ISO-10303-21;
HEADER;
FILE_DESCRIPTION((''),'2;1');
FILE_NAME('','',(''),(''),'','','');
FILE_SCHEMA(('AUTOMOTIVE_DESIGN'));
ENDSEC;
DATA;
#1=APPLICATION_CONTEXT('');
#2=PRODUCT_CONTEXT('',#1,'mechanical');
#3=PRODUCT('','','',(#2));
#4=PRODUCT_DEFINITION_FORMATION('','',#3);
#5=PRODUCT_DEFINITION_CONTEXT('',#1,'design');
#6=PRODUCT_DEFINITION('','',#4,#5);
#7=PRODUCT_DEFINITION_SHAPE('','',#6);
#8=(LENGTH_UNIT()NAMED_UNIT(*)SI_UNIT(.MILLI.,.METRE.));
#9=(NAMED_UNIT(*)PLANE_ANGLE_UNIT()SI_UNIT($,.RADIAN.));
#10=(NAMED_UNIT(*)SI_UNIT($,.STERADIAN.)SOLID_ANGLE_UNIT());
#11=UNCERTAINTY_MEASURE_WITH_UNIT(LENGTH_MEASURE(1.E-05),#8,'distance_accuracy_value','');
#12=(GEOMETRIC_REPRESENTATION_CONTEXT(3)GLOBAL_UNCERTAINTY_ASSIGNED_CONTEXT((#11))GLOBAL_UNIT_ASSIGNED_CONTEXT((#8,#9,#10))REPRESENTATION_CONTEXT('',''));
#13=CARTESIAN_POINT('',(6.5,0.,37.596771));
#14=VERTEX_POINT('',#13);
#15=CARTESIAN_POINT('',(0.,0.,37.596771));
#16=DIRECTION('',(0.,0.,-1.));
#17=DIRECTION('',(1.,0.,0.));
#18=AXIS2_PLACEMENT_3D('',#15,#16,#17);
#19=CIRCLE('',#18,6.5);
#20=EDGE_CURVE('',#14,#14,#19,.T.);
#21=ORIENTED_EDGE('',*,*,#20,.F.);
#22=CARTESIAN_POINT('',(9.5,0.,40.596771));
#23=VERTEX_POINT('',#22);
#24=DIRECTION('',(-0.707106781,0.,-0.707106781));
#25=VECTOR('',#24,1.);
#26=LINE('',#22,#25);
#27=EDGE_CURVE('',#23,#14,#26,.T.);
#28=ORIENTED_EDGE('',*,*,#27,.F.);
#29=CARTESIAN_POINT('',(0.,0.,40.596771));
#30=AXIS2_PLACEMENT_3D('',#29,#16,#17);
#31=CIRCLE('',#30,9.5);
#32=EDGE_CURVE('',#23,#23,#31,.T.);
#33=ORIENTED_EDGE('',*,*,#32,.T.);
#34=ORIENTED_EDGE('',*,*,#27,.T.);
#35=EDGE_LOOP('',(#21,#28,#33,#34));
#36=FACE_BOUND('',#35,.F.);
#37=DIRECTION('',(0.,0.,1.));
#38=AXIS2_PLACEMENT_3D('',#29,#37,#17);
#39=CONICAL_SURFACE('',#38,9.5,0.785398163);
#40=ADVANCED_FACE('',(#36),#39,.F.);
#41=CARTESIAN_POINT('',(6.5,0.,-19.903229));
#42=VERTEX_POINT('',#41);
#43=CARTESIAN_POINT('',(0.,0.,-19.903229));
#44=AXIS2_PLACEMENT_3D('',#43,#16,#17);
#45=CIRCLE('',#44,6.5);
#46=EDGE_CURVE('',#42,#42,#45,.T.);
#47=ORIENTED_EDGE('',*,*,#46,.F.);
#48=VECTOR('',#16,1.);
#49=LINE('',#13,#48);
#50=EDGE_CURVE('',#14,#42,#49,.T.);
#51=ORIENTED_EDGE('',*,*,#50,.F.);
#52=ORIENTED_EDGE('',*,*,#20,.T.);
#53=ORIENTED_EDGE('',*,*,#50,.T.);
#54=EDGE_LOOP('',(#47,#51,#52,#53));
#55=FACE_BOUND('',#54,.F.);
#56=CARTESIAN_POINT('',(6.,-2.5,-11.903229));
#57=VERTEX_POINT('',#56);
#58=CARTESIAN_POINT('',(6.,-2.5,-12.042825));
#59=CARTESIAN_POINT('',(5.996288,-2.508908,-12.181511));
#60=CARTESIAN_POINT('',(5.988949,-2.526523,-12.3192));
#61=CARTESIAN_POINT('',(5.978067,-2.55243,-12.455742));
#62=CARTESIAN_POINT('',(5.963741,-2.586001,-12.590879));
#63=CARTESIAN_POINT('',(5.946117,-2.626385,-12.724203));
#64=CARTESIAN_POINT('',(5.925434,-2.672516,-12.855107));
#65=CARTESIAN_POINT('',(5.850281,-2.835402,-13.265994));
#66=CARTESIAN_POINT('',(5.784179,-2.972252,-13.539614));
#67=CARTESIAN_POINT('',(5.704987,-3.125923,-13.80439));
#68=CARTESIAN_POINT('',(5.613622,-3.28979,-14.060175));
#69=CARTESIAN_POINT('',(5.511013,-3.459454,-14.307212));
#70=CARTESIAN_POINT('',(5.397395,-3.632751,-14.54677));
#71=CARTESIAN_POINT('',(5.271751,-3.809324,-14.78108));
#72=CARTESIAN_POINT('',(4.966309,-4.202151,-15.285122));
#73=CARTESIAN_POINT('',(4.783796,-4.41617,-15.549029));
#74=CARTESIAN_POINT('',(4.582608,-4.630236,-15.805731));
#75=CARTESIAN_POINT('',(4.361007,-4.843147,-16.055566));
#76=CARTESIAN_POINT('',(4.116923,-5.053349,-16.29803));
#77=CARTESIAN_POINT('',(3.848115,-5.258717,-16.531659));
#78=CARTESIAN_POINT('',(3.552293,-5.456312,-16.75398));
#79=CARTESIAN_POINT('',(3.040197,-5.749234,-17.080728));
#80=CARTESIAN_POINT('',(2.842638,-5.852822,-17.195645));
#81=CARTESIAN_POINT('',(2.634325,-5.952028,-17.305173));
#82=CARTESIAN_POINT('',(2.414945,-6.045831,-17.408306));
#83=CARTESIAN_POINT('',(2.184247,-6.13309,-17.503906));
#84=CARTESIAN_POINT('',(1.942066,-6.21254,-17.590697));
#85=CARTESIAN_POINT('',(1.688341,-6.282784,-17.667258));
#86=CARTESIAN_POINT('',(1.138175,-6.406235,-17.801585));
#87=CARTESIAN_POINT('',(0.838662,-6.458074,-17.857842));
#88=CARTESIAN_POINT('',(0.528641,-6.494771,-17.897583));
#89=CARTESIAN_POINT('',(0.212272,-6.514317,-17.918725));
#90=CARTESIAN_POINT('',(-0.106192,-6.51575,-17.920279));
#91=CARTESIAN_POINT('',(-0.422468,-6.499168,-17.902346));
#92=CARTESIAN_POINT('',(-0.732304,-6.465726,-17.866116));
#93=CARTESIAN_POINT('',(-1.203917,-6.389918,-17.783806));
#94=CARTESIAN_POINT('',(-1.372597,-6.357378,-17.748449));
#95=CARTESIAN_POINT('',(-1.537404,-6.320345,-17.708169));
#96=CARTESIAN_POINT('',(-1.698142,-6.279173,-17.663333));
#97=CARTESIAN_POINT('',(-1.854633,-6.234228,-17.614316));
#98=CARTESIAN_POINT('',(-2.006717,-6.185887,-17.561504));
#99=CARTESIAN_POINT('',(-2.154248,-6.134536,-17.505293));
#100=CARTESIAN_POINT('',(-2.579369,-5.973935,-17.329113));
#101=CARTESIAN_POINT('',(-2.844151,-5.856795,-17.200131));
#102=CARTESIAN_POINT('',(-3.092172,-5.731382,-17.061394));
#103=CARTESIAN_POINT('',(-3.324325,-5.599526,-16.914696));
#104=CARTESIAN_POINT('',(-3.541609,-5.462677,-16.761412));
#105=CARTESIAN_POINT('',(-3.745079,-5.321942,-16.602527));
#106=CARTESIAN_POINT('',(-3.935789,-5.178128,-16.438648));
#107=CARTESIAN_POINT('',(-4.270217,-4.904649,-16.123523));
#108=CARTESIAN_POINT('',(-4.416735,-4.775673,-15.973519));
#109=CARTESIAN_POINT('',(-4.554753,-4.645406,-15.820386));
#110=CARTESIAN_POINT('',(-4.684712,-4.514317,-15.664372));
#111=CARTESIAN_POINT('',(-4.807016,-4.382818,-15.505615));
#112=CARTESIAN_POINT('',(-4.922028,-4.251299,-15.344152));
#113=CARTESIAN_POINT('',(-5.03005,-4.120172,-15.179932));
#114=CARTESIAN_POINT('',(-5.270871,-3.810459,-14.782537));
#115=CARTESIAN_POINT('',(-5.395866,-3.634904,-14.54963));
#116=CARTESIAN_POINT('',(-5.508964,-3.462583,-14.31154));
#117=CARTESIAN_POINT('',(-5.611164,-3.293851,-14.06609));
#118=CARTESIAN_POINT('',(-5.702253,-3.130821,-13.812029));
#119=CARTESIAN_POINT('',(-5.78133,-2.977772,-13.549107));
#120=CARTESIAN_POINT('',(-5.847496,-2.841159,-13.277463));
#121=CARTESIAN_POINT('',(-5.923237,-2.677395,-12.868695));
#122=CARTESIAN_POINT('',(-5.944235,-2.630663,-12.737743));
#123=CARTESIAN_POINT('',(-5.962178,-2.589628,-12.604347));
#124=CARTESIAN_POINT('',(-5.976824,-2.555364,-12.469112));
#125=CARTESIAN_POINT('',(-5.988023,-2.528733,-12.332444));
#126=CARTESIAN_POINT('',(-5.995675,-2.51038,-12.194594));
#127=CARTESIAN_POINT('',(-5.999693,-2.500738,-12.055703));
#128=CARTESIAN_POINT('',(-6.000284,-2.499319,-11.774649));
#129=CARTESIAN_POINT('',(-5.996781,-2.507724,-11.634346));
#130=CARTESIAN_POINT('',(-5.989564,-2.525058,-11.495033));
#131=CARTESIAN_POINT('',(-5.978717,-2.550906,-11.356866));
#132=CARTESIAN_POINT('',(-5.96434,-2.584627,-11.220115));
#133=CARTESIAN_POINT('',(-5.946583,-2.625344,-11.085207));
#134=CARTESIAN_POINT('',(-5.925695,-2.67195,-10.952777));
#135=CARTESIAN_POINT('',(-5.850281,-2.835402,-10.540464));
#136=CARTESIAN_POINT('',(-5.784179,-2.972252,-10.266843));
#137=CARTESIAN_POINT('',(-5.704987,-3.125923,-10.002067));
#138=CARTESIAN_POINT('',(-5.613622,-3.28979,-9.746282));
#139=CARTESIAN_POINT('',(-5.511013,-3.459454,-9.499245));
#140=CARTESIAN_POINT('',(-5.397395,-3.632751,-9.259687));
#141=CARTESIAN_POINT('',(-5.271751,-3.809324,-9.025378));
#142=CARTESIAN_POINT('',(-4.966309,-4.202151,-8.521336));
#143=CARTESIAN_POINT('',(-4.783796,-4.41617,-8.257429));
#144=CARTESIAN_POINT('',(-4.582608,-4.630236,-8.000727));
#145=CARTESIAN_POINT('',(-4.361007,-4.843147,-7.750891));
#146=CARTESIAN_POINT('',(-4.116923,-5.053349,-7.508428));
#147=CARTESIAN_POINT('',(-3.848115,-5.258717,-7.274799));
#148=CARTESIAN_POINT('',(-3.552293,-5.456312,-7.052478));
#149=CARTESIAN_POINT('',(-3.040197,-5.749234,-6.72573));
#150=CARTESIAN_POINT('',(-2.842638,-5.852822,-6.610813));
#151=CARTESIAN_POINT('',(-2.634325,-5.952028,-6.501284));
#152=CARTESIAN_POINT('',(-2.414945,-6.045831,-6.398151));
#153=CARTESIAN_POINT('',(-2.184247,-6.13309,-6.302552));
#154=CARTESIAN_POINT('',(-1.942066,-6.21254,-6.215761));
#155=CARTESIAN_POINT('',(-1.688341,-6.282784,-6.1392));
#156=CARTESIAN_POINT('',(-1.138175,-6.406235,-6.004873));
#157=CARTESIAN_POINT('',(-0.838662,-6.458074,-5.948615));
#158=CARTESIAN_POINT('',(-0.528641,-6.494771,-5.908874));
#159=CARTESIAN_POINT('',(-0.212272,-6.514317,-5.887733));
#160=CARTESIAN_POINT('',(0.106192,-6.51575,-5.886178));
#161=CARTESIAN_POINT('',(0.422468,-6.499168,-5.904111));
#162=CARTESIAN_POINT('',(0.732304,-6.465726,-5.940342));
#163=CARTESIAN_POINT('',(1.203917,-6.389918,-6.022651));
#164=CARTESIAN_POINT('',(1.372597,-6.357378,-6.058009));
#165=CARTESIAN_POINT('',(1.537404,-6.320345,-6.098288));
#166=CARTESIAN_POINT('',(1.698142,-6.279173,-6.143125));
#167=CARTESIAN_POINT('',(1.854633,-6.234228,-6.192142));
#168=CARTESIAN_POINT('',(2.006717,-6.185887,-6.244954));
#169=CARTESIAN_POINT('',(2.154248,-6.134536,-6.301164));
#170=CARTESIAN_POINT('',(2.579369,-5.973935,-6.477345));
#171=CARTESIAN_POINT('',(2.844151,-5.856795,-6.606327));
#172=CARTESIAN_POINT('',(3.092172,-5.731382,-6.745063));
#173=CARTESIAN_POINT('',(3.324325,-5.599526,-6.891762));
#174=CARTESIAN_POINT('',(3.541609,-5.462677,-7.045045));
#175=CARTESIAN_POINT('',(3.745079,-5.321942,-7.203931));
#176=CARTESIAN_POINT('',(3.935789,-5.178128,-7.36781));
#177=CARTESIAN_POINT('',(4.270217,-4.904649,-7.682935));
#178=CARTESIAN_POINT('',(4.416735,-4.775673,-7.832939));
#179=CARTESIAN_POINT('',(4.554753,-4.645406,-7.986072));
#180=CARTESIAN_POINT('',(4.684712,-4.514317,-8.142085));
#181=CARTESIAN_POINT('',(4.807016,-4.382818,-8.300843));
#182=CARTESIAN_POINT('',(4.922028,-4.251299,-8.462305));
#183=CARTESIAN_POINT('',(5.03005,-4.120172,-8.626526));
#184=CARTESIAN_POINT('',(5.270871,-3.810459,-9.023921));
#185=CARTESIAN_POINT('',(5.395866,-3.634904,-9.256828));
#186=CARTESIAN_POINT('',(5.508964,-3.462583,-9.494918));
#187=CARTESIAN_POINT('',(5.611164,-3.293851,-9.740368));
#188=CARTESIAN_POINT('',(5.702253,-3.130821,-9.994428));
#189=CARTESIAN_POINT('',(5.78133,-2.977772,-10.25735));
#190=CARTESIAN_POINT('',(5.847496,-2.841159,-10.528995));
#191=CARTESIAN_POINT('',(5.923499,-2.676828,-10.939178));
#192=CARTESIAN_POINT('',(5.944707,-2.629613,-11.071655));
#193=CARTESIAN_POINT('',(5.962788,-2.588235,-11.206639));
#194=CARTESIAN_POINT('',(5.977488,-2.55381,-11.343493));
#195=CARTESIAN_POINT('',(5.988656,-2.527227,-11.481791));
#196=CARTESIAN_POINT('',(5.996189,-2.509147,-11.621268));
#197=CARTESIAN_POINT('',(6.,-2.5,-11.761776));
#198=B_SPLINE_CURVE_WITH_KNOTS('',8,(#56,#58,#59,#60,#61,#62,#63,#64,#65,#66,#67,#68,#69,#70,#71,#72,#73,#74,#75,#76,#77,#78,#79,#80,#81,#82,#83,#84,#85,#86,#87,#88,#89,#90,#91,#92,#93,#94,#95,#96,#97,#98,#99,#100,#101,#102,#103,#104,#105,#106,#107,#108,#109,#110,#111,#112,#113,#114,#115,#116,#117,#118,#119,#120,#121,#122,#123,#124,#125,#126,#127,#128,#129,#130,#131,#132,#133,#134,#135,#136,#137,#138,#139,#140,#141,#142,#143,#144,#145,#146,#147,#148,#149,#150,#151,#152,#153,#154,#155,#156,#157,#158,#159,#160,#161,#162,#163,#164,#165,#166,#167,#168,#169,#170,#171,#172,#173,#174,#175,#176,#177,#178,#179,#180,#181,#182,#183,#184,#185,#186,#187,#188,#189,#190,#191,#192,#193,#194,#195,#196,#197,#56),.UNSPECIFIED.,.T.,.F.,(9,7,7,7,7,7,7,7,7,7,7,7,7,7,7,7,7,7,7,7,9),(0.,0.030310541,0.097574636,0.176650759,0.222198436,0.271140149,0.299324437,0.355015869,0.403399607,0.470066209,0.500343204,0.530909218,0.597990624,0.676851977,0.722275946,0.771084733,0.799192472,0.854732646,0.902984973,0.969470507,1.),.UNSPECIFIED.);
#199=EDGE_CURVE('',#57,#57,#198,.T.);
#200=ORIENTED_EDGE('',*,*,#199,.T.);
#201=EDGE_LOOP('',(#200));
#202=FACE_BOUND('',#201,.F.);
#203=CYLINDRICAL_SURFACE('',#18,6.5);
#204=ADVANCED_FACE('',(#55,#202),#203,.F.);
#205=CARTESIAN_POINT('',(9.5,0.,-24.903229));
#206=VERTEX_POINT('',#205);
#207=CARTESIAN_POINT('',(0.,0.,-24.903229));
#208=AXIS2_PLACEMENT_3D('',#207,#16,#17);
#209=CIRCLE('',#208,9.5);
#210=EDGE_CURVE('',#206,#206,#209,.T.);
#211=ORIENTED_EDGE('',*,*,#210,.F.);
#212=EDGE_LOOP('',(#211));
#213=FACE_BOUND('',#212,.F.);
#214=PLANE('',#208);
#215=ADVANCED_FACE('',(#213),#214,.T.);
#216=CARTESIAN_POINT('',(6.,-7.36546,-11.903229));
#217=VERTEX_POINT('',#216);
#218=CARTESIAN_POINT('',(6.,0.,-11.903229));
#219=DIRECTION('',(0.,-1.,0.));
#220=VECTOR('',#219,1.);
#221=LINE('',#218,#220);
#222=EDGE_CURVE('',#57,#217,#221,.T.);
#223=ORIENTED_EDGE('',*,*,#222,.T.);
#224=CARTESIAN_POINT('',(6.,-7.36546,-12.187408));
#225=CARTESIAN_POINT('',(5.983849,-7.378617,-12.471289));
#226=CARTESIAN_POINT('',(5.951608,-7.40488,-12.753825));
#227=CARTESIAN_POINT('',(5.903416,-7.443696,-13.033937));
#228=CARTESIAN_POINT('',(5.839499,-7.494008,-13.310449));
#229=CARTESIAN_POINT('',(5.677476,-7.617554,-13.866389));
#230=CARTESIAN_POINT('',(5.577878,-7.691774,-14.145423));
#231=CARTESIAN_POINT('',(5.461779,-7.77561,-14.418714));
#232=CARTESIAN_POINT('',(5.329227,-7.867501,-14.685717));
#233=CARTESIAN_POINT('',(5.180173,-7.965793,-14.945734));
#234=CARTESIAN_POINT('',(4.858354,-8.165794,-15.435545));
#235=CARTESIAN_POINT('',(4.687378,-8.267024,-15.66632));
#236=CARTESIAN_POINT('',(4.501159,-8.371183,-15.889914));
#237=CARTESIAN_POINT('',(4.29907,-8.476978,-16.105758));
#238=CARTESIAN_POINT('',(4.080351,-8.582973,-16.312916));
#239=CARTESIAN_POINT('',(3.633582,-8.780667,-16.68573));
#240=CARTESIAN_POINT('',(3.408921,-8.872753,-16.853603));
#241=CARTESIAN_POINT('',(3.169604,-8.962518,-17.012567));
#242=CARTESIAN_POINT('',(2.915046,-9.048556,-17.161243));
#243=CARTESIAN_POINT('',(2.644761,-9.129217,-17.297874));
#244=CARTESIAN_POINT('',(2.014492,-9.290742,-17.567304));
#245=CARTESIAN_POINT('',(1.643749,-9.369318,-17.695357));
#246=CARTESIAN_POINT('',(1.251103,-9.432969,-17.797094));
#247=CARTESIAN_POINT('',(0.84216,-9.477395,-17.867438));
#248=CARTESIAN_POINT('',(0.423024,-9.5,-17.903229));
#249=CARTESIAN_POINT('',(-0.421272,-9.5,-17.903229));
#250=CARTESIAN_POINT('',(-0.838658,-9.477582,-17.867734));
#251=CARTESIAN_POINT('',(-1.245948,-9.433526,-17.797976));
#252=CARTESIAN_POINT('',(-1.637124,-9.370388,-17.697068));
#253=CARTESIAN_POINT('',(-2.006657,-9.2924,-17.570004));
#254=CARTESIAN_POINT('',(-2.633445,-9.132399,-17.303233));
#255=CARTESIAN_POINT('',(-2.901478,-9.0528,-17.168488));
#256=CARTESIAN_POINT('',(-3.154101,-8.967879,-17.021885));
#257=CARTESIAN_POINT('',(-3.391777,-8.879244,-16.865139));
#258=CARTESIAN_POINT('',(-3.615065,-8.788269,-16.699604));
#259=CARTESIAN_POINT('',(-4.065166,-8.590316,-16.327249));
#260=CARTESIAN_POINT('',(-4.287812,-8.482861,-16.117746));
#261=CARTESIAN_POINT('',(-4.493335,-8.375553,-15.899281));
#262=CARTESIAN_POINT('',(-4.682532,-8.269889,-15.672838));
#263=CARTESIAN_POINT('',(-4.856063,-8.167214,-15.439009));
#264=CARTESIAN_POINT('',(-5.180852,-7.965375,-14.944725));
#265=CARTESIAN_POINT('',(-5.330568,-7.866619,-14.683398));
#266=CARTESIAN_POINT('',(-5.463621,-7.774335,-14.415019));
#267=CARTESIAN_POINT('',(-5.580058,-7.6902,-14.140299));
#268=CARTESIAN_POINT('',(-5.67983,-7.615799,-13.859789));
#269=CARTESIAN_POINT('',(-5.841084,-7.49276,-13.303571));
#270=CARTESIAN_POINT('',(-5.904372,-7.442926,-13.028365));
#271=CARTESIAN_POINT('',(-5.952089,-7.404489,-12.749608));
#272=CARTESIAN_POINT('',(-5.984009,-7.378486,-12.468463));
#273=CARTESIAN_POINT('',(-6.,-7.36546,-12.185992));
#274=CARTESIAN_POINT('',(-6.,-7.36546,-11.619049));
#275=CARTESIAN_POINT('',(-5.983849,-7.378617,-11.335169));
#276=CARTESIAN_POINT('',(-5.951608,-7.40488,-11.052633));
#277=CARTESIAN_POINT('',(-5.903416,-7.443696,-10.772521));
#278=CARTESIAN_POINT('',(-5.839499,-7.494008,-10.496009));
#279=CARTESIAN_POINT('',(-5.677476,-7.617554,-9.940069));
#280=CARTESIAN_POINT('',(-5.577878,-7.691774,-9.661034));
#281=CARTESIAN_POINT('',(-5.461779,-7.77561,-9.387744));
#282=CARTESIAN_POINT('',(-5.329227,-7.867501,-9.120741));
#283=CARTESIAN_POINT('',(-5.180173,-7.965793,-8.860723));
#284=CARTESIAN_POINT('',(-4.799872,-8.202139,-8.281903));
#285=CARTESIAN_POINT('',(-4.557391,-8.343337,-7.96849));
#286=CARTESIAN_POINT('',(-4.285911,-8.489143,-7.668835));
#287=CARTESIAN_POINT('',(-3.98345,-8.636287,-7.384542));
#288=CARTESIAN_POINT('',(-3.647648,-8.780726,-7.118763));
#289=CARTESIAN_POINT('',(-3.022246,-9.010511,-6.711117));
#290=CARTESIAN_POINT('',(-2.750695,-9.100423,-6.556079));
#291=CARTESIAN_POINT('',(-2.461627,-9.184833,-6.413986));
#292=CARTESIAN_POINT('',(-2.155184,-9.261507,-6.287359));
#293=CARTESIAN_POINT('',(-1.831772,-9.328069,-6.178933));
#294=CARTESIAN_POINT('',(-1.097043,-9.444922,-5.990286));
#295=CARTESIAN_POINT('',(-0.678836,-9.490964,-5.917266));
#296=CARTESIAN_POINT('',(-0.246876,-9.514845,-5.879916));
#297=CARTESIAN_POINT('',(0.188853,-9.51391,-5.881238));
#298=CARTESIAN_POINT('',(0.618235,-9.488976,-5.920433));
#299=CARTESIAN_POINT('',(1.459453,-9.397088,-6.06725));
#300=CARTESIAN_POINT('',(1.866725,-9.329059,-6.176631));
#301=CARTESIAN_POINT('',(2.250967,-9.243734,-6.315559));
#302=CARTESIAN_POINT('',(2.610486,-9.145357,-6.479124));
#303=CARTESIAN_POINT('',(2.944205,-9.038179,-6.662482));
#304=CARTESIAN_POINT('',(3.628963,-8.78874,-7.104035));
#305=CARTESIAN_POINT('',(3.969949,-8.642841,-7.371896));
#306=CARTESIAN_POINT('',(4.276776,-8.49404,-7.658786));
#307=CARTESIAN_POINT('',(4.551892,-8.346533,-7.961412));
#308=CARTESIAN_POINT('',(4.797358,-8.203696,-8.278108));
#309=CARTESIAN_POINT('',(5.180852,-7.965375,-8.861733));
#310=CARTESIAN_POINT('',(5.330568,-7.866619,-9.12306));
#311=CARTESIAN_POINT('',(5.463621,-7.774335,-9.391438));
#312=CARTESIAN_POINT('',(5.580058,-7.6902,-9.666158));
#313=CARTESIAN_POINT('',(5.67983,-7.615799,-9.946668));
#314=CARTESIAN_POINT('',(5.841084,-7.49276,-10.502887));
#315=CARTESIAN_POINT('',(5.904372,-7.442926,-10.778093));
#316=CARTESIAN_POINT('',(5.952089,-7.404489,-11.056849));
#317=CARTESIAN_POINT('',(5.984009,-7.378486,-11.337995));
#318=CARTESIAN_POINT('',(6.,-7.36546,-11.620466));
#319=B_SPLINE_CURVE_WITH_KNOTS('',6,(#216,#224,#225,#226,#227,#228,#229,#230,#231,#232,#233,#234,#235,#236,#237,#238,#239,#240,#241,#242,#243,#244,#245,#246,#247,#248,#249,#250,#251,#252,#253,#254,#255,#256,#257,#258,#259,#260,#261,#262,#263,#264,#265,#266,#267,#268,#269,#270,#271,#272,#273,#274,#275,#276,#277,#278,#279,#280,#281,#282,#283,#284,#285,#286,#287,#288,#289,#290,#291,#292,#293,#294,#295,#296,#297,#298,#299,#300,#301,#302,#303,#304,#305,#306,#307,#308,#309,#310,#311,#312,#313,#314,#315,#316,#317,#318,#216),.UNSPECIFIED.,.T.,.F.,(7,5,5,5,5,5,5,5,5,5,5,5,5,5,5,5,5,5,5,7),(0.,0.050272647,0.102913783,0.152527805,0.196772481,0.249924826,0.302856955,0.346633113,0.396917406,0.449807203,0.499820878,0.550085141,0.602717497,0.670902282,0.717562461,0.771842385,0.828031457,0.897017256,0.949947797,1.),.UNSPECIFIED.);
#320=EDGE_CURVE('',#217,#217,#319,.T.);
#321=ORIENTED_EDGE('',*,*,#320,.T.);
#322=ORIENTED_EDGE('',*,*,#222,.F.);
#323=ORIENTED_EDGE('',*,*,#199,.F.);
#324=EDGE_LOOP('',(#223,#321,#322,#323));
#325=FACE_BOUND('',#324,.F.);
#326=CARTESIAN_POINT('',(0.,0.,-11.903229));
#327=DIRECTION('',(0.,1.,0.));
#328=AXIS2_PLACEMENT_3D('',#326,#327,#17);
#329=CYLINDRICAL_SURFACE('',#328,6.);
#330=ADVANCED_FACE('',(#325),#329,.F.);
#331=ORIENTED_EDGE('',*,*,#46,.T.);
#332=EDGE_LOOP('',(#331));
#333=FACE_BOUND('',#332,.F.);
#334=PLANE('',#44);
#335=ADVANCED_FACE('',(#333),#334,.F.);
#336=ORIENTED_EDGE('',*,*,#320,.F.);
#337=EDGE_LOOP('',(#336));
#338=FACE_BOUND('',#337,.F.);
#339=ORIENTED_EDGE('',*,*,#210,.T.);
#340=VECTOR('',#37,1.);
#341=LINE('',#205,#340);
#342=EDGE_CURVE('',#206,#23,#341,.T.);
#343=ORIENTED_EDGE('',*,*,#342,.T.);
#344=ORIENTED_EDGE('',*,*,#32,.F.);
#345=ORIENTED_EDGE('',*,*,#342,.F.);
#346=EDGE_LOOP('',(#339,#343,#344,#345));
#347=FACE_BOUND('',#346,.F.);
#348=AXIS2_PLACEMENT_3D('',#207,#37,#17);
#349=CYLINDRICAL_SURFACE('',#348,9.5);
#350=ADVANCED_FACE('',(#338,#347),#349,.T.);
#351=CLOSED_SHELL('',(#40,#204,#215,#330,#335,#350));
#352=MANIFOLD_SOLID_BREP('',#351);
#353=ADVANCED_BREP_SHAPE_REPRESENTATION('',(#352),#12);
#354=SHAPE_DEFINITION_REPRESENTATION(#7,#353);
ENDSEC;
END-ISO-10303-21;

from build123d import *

# Parameters (mm, degrees)
F2_D     = 12
F2_DEPTH = 9.501


with BuildPart() as f1:
    # F0 (on Front) → F1 (revolve)
    with BuildSketch(Plane.XZ):
        Polygon((0, -19.9032288051), (0, -24.9032288051), (9.5, -24.9032288051), (9.5, 40.5967711949), (6.5, 37.5967711949), (6.5, -19.9032288051), align=None)
    revolve(axis=Axis((0, 0, -22.4032288051), (0, 0, -1)))

    # F2 (through all, one way)
    with BuildSketch(Plane(origin=(0, 0, 0), x_dir=(1, 0, 0), z_dir=(0, 1, 0))):
        with Locations((0, 11.9032288051)):
            Circle(F2_D / 2)
    extrude(amount=-F2_DEPTH, mode=Mode.SUBTRACT)


solid = f1.part
